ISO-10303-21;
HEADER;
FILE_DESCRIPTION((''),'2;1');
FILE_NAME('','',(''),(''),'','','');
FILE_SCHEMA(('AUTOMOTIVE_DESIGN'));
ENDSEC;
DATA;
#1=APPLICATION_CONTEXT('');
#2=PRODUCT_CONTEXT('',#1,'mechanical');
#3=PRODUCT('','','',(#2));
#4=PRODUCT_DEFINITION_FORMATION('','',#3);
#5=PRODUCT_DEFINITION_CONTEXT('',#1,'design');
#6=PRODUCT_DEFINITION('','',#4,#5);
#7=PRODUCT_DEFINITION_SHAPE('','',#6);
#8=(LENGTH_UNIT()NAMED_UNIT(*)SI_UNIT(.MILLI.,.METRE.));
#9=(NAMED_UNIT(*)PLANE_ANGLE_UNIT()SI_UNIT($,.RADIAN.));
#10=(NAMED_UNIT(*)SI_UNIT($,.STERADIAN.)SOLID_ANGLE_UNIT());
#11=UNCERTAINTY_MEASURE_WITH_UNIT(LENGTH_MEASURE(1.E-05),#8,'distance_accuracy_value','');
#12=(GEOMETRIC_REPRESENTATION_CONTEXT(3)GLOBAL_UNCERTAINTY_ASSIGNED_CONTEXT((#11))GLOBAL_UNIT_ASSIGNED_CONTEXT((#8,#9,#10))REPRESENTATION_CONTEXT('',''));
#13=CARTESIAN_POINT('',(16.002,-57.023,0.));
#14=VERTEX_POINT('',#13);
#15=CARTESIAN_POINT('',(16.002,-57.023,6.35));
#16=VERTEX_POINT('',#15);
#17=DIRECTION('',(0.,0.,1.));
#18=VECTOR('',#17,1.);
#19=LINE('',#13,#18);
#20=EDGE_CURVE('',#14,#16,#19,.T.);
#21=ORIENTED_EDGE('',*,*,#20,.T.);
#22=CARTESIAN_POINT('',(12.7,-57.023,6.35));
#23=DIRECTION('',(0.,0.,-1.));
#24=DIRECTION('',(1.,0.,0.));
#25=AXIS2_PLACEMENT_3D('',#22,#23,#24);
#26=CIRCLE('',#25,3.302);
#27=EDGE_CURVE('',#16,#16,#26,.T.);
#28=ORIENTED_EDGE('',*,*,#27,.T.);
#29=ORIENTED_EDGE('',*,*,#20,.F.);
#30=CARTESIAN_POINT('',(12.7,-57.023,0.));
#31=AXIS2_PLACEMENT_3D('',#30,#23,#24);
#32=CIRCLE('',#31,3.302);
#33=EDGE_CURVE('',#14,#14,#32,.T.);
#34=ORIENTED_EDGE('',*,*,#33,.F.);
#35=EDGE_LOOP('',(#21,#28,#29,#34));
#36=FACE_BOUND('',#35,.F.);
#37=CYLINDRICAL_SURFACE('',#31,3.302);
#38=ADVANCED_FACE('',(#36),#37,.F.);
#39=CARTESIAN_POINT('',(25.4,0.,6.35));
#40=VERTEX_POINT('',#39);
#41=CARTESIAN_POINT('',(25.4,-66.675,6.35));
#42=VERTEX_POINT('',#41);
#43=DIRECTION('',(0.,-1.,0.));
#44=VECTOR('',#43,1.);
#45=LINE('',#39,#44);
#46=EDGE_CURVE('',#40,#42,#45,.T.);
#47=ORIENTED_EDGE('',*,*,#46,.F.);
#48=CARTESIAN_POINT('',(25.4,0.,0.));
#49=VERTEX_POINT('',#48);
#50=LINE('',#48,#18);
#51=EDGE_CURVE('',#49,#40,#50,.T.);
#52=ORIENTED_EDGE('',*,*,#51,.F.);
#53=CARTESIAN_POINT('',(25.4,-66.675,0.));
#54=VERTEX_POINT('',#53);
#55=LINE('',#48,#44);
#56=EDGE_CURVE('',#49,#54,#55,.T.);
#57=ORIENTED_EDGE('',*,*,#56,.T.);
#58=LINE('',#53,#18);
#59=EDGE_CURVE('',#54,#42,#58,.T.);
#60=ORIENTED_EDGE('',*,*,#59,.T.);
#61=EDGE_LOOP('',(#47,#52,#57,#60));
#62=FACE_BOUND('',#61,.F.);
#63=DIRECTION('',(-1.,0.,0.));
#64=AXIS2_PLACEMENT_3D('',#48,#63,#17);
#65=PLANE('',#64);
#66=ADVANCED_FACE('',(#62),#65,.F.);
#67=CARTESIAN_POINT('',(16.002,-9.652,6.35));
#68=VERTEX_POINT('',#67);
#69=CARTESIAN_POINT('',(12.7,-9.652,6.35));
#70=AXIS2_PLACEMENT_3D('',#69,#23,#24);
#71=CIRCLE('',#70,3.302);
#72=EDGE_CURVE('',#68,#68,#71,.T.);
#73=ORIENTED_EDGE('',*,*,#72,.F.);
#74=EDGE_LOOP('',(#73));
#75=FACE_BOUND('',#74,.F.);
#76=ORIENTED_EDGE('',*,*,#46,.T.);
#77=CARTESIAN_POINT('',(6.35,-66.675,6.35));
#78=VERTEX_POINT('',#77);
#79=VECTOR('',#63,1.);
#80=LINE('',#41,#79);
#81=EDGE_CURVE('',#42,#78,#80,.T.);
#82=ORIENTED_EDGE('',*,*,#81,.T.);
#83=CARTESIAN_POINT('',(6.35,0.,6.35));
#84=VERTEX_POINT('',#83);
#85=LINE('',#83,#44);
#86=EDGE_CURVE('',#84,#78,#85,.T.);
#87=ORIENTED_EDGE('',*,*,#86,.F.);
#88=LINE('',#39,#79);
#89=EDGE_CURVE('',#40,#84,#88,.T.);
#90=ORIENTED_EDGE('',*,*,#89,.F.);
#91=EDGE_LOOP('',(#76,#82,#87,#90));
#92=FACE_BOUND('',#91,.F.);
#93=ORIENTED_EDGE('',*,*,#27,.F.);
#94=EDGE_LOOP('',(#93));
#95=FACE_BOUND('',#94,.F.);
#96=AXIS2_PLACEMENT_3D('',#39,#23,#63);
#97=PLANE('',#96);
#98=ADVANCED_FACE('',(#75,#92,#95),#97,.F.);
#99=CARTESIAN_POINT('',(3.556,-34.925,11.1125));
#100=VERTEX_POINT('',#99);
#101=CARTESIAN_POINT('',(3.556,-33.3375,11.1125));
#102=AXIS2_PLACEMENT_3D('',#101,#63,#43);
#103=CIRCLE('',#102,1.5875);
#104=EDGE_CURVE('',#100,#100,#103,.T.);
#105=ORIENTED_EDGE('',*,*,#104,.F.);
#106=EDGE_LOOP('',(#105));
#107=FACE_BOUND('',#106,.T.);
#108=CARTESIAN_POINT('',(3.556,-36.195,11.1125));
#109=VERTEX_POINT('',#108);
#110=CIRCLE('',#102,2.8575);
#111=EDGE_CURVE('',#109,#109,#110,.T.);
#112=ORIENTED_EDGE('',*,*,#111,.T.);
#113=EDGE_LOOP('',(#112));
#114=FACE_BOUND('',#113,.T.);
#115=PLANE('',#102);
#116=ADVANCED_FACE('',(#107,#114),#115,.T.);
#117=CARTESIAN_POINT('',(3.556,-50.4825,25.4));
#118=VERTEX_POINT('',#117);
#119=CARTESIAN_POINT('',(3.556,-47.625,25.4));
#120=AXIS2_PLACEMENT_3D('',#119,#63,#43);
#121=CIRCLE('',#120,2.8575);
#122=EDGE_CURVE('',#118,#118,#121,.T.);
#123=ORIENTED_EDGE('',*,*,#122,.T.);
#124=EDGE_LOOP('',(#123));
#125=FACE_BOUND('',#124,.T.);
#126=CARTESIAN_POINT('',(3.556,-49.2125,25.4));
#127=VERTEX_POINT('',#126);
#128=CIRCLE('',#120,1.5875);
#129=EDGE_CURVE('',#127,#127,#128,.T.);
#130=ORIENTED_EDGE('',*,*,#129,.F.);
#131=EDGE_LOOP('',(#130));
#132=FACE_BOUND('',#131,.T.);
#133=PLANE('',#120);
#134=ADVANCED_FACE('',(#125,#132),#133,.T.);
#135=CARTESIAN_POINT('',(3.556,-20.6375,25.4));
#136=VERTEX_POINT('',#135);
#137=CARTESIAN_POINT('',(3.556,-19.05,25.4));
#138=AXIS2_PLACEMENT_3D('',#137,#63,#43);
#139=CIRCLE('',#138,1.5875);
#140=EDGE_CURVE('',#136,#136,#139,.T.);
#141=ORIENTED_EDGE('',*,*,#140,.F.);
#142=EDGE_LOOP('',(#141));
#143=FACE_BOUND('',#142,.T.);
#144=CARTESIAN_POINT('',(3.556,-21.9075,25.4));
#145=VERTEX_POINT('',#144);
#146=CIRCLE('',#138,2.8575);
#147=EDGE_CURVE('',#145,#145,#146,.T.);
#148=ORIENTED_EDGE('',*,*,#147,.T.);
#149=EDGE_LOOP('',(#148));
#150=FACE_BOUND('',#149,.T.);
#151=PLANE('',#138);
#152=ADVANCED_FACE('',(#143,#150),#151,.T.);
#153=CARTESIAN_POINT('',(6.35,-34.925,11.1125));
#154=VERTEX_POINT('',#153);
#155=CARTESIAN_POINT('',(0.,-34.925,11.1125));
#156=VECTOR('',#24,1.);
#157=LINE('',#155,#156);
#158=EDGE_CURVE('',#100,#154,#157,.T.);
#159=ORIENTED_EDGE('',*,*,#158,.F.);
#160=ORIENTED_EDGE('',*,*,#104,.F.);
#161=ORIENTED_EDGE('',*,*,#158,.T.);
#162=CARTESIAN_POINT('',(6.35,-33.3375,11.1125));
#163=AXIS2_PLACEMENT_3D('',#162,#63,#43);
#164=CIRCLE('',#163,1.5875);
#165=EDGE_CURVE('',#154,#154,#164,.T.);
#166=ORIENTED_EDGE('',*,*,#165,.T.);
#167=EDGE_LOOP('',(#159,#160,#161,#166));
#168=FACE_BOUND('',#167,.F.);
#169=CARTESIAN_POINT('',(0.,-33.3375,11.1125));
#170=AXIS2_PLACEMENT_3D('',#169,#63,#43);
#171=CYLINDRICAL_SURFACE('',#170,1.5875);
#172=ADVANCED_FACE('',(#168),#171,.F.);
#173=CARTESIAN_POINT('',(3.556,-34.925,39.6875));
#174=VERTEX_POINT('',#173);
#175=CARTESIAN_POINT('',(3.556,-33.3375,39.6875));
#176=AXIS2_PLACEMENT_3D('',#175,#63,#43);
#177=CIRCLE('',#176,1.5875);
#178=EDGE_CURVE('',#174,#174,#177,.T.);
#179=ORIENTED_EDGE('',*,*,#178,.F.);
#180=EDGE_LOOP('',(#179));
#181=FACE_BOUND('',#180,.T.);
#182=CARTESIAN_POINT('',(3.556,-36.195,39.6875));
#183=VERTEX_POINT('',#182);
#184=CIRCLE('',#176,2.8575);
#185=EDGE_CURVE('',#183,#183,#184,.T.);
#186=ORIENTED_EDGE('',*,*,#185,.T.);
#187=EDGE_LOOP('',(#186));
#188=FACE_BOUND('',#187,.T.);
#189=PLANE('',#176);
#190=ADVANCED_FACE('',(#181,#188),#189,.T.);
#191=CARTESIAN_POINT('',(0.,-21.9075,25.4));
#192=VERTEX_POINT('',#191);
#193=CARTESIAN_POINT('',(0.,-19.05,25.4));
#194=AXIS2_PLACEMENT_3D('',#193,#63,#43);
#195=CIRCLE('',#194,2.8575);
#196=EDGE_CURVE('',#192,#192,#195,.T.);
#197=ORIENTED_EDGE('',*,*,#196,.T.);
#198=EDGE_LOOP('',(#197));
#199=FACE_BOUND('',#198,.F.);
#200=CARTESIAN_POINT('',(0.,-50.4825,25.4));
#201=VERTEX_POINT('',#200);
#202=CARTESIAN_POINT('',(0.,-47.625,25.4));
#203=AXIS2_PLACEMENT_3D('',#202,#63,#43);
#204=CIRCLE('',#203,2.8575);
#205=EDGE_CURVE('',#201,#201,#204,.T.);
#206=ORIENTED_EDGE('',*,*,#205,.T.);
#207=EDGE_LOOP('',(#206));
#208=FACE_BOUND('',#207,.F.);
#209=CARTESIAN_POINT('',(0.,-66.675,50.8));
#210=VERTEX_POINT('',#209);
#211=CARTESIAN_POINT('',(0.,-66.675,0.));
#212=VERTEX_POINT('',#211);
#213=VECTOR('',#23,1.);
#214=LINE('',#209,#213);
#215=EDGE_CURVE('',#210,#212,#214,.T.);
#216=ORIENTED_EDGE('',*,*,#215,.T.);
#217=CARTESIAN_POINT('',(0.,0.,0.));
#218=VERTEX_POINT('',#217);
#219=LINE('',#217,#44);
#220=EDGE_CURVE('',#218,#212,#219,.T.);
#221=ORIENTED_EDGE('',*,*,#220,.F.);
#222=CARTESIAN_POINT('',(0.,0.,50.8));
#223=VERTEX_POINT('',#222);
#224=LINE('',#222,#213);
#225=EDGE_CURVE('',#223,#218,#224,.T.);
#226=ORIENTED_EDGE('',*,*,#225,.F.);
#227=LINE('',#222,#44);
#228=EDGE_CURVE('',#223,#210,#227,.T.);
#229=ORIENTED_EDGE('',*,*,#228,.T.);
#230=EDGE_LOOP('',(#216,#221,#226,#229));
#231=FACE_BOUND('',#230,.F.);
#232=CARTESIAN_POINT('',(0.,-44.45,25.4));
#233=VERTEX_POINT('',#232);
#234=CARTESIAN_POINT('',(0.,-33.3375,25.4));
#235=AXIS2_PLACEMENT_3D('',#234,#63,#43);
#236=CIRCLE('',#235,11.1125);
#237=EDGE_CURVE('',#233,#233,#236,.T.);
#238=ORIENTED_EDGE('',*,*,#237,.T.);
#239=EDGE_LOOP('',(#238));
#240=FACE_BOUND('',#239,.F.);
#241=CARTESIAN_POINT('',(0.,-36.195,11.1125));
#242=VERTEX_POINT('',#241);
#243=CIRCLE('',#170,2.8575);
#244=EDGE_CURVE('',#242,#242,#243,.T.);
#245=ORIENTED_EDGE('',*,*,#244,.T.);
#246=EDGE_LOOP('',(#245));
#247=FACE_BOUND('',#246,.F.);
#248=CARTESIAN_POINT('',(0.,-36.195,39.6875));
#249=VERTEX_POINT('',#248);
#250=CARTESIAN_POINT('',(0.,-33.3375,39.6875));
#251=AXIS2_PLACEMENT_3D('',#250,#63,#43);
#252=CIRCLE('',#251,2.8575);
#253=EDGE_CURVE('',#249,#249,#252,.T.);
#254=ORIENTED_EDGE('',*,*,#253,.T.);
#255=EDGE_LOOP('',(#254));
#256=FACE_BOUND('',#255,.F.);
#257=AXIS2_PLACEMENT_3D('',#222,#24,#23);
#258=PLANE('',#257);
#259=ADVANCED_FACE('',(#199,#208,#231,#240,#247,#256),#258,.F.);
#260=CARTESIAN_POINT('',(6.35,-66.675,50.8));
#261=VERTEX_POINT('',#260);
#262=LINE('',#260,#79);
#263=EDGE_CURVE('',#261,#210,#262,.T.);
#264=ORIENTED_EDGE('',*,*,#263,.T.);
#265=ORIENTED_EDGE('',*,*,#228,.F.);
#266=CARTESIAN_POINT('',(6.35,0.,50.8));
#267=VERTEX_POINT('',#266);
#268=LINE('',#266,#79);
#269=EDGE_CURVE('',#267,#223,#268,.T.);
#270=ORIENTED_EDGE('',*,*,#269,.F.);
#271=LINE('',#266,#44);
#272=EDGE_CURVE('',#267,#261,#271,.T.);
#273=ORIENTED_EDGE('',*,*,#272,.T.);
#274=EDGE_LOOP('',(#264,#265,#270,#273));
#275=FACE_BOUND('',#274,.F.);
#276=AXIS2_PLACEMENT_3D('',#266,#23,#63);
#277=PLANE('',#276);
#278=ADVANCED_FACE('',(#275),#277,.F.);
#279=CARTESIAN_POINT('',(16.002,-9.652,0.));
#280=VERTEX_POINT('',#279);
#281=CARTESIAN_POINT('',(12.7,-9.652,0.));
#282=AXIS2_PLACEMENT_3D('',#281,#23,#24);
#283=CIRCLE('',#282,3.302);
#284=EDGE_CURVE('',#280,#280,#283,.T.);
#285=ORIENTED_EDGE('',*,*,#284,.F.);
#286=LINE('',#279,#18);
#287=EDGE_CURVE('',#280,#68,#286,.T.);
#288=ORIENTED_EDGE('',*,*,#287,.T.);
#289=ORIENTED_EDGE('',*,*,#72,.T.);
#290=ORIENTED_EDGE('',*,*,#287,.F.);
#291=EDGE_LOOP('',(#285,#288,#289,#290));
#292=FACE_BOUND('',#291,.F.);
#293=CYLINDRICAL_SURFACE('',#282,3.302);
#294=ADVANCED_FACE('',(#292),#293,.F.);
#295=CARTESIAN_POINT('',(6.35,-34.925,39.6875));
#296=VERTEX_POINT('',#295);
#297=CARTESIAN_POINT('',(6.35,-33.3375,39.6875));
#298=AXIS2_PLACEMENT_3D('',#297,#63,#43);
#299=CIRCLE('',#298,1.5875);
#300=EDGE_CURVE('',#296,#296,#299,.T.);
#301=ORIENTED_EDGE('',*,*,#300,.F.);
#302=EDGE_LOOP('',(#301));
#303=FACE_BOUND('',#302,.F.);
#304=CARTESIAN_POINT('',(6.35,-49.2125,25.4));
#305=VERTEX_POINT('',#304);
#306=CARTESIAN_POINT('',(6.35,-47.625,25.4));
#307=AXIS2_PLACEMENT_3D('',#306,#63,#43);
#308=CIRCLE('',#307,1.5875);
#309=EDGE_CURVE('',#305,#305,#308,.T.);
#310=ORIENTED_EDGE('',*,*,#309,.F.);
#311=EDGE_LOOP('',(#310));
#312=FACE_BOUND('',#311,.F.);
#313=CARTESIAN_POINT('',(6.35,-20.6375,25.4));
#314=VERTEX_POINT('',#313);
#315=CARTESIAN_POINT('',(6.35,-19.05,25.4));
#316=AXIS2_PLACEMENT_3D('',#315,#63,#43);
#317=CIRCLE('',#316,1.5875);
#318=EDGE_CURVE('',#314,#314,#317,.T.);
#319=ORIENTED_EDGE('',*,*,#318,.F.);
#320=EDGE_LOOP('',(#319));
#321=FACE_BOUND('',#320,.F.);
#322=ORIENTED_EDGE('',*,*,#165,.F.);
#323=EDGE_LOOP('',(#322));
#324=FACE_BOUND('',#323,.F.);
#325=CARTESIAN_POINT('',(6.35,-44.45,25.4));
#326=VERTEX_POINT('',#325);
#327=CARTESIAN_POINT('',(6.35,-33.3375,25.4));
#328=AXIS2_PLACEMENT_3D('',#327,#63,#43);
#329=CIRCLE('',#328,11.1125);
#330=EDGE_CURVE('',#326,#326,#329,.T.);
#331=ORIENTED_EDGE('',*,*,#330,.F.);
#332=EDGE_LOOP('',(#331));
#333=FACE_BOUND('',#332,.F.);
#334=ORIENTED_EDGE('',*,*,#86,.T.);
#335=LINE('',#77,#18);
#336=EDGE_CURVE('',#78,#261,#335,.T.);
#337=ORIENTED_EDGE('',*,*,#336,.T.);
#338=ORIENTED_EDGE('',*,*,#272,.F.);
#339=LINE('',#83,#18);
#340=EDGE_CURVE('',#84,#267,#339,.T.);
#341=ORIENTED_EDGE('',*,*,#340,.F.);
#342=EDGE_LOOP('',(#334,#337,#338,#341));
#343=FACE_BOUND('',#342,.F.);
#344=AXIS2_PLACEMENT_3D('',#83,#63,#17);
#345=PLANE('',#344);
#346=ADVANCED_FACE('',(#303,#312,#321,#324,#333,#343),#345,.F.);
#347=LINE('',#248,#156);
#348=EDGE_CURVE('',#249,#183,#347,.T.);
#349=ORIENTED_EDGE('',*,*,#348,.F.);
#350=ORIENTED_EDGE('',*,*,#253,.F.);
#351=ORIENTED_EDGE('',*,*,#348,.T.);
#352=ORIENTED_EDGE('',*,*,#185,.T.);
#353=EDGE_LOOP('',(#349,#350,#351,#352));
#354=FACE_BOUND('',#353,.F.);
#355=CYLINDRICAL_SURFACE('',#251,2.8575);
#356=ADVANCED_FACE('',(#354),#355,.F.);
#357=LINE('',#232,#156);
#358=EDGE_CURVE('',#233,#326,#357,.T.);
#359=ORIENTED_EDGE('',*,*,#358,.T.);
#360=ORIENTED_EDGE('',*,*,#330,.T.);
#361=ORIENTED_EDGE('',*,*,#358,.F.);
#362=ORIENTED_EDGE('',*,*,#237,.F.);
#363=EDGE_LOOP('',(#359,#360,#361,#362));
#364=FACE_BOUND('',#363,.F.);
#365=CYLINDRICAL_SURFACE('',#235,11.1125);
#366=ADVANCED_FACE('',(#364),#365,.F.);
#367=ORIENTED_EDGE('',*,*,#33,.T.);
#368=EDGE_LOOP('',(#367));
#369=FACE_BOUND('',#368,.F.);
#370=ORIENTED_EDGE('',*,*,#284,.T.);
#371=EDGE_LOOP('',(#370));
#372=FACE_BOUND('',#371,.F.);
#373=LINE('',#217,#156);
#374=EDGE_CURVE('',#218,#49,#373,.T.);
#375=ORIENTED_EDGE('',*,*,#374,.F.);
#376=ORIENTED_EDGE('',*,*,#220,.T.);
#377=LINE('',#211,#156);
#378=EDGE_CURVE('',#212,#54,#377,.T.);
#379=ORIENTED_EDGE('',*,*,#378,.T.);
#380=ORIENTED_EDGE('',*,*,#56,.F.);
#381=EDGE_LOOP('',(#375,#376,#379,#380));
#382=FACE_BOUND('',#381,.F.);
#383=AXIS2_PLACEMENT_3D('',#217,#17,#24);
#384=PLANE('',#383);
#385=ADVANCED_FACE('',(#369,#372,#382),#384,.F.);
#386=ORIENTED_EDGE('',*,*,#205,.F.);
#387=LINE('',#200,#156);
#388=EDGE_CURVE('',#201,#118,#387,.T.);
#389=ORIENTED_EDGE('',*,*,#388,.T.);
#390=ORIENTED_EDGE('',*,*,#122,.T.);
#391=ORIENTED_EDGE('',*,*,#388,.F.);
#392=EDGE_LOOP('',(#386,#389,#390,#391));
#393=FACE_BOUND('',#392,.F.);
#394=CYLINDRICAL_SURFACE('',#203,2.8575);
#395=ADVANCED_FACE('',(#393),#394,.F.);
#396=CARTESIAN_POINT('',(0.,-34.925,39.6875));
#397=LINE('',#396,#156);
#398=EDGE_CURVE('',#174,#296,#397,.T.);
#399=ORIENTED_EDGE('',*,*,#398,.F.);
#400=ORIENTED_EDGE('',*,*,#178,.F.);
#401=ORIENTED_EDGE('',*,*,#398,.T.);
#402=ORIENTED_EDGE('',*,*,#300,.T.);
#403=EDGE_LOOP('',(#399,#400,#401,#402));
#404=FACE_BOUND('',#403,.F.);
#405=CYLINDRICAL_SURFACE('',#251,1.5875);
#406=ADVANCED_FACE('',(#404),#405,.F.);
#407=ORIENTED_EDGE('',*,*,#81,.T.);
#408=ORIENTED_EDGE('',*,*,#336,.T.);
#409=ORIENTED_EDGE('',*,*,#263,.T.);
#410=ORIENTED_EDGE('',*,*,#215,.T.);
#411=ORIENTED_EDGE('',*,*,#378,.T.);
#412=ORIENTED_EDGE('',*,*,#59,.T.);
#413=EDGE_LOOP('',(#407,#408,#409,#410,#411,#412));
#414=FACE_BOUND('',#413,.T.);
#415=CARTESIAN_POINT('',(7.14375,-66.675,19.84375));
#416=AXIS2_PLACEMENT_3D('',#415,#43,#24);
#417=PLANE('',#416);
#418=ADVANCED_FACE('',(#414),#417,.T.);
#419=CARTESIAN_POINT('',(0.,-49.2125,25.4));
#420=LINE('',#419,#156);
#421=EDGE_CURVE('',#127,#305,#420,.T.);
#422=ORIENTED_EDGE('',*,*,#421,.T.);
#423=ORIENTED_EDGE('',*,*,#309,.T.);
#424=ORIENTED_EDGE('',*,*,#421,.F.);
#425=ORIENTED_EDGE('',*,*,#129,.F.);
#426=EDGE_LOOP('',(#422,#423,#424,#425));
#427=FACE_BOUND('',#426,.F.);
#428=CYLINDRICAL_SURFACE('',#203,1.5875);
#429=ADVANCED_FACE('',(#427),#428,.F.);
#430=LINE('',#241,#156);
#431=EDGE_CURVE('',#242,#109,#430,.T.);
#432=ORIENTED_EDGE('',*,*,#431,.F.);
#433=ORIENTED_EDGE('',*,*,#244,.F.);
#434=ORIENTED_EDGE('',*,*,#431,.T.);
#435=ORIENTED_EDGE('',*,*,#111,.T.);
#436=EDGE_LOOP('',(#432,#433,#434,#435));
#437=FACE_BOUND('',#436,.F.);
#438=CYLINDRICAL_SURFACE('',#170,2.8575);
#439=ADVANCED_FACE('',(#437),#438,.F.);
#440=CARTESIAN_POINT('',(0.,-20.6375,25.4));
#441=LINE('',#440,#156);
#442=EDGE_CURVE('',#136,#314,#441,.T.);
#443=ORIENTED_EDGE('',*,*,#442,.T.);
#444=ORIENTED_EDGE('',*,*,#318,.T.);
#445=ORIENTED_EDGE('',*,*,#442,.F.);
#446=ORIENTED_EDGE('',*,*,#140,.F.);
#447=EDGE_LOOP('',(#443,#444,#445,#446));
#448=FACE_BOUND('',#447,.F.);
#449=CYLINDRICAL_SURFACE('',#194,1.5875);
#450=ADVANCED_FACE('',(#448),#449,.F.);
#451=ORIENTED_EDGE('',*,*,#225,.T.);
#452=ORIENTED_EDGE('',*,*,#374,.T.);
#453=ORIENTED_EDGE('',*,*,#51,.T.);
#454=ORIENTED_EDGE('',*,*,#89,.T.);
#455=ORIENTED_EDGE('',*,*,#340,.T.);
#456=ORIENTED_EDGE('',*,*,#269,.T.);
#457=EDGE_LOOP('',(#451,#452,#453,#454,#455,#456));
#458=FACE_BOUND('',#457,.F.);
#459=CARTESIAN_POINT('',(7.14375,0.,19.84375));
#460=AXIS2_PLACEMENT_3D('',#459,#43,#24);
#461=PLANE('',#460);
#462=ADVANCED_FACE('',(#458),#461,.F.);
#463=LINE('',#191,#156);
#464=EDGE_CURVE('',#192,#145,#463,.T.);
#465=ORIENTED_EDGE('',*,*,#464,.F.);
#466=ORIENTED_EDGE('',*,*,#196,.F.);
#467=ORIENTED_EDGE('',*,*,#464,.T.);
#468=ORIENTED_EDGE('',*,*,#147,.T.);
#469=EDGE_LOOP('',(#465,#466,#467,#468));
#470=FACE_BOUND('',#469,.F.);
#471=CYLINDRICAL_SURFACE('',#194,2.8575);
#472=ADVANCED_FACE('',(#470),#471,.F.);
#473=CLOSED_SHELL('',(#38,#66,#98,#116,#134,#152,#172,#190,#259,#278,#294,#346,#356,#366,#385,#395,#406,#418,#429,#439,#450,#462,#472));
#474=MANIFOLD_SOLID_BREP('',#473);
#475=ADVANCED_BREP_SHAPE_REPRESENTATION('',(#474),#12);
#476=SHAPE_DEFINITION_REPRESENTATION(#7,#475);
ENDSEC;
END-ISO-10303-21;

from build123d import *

# Parameters (mm, degrees)
F1_DEPTH = 66.675
F2_R     = 1.5875
F2_R_2   = 11.1125
F3_DEPTH = 25.401
F4_R     = 2.8575
F5_DEPTH = 3.556
F6_R     = 3.302
F7_DEPTH = 50.801


with BuildPart() as f1:
    # F0 (on Front) → F1 (new body)
    with BuildSketch(Plane.XZ):
        Polygon((0, 50.8), (0, 0), (25.4, 0), (25.4, 6.35), (6.35, 6.35), (6.35, 50.8), align=None)
    extrude(amount=F1_DEPTH)

    # F2 (on face) → F3 (cut, through all)
    with BuildSketch(Plane(origin=(0, 0, 0), x_dir=(0, -1, 0), z_dir=(-1, 0, 0))):
        with Locations((19.05, 25.4)):
            Circle(F2_R)
        with Locations((33.3375, 39.6875)):
            Circle(F2_R)
        with Locations((33.3375, 25.4)):
            Circle(F2_R_2)
        with Locations((47.625, 25.4)):
            Circle(F2_R)
        with Locations((33.3375, 11.1125)):
            Circle(F2_R)
    extrude(amount=-F3_DEPTH, mode=Mode.SUBTRACT)

    # F4 (on face) → F5 (cut)
    with BuildSketch(Plane(origin=(0, 0, 0), x_dir=(0, -1, 0), z_dir=(-1, 0, 0))):
        with Locations((33.3375, 39.6875)):
            Circle(F4_R)
        with Locations((47.625, 25.4)):
            Circle(F4_R)
        with Locations((33.3375, 11.1125)):
            Circle(F4_R)
        with Locations((19.05, 25.4)):
            Circle(F4_R)
    extrude(amount=-F5_DEPTH, mode=Mode.SUBTRACT)

    # F6 (on face) → F7 (cut, through all)
    with BuildSketch(Plane(origin=(0, 0, 0), x_dir=(1, 0, 0), z_dir=(0, 0, -1))):
        with Locations((12.7, 9.652)):
            Circle(F6_R)
        with Locations((12.7, 57.023)):
            Circle(F6_R)
    extrude(amount=-F7_DEPTH, mode=Mode.SUBTRACT)


solid = f1.part
